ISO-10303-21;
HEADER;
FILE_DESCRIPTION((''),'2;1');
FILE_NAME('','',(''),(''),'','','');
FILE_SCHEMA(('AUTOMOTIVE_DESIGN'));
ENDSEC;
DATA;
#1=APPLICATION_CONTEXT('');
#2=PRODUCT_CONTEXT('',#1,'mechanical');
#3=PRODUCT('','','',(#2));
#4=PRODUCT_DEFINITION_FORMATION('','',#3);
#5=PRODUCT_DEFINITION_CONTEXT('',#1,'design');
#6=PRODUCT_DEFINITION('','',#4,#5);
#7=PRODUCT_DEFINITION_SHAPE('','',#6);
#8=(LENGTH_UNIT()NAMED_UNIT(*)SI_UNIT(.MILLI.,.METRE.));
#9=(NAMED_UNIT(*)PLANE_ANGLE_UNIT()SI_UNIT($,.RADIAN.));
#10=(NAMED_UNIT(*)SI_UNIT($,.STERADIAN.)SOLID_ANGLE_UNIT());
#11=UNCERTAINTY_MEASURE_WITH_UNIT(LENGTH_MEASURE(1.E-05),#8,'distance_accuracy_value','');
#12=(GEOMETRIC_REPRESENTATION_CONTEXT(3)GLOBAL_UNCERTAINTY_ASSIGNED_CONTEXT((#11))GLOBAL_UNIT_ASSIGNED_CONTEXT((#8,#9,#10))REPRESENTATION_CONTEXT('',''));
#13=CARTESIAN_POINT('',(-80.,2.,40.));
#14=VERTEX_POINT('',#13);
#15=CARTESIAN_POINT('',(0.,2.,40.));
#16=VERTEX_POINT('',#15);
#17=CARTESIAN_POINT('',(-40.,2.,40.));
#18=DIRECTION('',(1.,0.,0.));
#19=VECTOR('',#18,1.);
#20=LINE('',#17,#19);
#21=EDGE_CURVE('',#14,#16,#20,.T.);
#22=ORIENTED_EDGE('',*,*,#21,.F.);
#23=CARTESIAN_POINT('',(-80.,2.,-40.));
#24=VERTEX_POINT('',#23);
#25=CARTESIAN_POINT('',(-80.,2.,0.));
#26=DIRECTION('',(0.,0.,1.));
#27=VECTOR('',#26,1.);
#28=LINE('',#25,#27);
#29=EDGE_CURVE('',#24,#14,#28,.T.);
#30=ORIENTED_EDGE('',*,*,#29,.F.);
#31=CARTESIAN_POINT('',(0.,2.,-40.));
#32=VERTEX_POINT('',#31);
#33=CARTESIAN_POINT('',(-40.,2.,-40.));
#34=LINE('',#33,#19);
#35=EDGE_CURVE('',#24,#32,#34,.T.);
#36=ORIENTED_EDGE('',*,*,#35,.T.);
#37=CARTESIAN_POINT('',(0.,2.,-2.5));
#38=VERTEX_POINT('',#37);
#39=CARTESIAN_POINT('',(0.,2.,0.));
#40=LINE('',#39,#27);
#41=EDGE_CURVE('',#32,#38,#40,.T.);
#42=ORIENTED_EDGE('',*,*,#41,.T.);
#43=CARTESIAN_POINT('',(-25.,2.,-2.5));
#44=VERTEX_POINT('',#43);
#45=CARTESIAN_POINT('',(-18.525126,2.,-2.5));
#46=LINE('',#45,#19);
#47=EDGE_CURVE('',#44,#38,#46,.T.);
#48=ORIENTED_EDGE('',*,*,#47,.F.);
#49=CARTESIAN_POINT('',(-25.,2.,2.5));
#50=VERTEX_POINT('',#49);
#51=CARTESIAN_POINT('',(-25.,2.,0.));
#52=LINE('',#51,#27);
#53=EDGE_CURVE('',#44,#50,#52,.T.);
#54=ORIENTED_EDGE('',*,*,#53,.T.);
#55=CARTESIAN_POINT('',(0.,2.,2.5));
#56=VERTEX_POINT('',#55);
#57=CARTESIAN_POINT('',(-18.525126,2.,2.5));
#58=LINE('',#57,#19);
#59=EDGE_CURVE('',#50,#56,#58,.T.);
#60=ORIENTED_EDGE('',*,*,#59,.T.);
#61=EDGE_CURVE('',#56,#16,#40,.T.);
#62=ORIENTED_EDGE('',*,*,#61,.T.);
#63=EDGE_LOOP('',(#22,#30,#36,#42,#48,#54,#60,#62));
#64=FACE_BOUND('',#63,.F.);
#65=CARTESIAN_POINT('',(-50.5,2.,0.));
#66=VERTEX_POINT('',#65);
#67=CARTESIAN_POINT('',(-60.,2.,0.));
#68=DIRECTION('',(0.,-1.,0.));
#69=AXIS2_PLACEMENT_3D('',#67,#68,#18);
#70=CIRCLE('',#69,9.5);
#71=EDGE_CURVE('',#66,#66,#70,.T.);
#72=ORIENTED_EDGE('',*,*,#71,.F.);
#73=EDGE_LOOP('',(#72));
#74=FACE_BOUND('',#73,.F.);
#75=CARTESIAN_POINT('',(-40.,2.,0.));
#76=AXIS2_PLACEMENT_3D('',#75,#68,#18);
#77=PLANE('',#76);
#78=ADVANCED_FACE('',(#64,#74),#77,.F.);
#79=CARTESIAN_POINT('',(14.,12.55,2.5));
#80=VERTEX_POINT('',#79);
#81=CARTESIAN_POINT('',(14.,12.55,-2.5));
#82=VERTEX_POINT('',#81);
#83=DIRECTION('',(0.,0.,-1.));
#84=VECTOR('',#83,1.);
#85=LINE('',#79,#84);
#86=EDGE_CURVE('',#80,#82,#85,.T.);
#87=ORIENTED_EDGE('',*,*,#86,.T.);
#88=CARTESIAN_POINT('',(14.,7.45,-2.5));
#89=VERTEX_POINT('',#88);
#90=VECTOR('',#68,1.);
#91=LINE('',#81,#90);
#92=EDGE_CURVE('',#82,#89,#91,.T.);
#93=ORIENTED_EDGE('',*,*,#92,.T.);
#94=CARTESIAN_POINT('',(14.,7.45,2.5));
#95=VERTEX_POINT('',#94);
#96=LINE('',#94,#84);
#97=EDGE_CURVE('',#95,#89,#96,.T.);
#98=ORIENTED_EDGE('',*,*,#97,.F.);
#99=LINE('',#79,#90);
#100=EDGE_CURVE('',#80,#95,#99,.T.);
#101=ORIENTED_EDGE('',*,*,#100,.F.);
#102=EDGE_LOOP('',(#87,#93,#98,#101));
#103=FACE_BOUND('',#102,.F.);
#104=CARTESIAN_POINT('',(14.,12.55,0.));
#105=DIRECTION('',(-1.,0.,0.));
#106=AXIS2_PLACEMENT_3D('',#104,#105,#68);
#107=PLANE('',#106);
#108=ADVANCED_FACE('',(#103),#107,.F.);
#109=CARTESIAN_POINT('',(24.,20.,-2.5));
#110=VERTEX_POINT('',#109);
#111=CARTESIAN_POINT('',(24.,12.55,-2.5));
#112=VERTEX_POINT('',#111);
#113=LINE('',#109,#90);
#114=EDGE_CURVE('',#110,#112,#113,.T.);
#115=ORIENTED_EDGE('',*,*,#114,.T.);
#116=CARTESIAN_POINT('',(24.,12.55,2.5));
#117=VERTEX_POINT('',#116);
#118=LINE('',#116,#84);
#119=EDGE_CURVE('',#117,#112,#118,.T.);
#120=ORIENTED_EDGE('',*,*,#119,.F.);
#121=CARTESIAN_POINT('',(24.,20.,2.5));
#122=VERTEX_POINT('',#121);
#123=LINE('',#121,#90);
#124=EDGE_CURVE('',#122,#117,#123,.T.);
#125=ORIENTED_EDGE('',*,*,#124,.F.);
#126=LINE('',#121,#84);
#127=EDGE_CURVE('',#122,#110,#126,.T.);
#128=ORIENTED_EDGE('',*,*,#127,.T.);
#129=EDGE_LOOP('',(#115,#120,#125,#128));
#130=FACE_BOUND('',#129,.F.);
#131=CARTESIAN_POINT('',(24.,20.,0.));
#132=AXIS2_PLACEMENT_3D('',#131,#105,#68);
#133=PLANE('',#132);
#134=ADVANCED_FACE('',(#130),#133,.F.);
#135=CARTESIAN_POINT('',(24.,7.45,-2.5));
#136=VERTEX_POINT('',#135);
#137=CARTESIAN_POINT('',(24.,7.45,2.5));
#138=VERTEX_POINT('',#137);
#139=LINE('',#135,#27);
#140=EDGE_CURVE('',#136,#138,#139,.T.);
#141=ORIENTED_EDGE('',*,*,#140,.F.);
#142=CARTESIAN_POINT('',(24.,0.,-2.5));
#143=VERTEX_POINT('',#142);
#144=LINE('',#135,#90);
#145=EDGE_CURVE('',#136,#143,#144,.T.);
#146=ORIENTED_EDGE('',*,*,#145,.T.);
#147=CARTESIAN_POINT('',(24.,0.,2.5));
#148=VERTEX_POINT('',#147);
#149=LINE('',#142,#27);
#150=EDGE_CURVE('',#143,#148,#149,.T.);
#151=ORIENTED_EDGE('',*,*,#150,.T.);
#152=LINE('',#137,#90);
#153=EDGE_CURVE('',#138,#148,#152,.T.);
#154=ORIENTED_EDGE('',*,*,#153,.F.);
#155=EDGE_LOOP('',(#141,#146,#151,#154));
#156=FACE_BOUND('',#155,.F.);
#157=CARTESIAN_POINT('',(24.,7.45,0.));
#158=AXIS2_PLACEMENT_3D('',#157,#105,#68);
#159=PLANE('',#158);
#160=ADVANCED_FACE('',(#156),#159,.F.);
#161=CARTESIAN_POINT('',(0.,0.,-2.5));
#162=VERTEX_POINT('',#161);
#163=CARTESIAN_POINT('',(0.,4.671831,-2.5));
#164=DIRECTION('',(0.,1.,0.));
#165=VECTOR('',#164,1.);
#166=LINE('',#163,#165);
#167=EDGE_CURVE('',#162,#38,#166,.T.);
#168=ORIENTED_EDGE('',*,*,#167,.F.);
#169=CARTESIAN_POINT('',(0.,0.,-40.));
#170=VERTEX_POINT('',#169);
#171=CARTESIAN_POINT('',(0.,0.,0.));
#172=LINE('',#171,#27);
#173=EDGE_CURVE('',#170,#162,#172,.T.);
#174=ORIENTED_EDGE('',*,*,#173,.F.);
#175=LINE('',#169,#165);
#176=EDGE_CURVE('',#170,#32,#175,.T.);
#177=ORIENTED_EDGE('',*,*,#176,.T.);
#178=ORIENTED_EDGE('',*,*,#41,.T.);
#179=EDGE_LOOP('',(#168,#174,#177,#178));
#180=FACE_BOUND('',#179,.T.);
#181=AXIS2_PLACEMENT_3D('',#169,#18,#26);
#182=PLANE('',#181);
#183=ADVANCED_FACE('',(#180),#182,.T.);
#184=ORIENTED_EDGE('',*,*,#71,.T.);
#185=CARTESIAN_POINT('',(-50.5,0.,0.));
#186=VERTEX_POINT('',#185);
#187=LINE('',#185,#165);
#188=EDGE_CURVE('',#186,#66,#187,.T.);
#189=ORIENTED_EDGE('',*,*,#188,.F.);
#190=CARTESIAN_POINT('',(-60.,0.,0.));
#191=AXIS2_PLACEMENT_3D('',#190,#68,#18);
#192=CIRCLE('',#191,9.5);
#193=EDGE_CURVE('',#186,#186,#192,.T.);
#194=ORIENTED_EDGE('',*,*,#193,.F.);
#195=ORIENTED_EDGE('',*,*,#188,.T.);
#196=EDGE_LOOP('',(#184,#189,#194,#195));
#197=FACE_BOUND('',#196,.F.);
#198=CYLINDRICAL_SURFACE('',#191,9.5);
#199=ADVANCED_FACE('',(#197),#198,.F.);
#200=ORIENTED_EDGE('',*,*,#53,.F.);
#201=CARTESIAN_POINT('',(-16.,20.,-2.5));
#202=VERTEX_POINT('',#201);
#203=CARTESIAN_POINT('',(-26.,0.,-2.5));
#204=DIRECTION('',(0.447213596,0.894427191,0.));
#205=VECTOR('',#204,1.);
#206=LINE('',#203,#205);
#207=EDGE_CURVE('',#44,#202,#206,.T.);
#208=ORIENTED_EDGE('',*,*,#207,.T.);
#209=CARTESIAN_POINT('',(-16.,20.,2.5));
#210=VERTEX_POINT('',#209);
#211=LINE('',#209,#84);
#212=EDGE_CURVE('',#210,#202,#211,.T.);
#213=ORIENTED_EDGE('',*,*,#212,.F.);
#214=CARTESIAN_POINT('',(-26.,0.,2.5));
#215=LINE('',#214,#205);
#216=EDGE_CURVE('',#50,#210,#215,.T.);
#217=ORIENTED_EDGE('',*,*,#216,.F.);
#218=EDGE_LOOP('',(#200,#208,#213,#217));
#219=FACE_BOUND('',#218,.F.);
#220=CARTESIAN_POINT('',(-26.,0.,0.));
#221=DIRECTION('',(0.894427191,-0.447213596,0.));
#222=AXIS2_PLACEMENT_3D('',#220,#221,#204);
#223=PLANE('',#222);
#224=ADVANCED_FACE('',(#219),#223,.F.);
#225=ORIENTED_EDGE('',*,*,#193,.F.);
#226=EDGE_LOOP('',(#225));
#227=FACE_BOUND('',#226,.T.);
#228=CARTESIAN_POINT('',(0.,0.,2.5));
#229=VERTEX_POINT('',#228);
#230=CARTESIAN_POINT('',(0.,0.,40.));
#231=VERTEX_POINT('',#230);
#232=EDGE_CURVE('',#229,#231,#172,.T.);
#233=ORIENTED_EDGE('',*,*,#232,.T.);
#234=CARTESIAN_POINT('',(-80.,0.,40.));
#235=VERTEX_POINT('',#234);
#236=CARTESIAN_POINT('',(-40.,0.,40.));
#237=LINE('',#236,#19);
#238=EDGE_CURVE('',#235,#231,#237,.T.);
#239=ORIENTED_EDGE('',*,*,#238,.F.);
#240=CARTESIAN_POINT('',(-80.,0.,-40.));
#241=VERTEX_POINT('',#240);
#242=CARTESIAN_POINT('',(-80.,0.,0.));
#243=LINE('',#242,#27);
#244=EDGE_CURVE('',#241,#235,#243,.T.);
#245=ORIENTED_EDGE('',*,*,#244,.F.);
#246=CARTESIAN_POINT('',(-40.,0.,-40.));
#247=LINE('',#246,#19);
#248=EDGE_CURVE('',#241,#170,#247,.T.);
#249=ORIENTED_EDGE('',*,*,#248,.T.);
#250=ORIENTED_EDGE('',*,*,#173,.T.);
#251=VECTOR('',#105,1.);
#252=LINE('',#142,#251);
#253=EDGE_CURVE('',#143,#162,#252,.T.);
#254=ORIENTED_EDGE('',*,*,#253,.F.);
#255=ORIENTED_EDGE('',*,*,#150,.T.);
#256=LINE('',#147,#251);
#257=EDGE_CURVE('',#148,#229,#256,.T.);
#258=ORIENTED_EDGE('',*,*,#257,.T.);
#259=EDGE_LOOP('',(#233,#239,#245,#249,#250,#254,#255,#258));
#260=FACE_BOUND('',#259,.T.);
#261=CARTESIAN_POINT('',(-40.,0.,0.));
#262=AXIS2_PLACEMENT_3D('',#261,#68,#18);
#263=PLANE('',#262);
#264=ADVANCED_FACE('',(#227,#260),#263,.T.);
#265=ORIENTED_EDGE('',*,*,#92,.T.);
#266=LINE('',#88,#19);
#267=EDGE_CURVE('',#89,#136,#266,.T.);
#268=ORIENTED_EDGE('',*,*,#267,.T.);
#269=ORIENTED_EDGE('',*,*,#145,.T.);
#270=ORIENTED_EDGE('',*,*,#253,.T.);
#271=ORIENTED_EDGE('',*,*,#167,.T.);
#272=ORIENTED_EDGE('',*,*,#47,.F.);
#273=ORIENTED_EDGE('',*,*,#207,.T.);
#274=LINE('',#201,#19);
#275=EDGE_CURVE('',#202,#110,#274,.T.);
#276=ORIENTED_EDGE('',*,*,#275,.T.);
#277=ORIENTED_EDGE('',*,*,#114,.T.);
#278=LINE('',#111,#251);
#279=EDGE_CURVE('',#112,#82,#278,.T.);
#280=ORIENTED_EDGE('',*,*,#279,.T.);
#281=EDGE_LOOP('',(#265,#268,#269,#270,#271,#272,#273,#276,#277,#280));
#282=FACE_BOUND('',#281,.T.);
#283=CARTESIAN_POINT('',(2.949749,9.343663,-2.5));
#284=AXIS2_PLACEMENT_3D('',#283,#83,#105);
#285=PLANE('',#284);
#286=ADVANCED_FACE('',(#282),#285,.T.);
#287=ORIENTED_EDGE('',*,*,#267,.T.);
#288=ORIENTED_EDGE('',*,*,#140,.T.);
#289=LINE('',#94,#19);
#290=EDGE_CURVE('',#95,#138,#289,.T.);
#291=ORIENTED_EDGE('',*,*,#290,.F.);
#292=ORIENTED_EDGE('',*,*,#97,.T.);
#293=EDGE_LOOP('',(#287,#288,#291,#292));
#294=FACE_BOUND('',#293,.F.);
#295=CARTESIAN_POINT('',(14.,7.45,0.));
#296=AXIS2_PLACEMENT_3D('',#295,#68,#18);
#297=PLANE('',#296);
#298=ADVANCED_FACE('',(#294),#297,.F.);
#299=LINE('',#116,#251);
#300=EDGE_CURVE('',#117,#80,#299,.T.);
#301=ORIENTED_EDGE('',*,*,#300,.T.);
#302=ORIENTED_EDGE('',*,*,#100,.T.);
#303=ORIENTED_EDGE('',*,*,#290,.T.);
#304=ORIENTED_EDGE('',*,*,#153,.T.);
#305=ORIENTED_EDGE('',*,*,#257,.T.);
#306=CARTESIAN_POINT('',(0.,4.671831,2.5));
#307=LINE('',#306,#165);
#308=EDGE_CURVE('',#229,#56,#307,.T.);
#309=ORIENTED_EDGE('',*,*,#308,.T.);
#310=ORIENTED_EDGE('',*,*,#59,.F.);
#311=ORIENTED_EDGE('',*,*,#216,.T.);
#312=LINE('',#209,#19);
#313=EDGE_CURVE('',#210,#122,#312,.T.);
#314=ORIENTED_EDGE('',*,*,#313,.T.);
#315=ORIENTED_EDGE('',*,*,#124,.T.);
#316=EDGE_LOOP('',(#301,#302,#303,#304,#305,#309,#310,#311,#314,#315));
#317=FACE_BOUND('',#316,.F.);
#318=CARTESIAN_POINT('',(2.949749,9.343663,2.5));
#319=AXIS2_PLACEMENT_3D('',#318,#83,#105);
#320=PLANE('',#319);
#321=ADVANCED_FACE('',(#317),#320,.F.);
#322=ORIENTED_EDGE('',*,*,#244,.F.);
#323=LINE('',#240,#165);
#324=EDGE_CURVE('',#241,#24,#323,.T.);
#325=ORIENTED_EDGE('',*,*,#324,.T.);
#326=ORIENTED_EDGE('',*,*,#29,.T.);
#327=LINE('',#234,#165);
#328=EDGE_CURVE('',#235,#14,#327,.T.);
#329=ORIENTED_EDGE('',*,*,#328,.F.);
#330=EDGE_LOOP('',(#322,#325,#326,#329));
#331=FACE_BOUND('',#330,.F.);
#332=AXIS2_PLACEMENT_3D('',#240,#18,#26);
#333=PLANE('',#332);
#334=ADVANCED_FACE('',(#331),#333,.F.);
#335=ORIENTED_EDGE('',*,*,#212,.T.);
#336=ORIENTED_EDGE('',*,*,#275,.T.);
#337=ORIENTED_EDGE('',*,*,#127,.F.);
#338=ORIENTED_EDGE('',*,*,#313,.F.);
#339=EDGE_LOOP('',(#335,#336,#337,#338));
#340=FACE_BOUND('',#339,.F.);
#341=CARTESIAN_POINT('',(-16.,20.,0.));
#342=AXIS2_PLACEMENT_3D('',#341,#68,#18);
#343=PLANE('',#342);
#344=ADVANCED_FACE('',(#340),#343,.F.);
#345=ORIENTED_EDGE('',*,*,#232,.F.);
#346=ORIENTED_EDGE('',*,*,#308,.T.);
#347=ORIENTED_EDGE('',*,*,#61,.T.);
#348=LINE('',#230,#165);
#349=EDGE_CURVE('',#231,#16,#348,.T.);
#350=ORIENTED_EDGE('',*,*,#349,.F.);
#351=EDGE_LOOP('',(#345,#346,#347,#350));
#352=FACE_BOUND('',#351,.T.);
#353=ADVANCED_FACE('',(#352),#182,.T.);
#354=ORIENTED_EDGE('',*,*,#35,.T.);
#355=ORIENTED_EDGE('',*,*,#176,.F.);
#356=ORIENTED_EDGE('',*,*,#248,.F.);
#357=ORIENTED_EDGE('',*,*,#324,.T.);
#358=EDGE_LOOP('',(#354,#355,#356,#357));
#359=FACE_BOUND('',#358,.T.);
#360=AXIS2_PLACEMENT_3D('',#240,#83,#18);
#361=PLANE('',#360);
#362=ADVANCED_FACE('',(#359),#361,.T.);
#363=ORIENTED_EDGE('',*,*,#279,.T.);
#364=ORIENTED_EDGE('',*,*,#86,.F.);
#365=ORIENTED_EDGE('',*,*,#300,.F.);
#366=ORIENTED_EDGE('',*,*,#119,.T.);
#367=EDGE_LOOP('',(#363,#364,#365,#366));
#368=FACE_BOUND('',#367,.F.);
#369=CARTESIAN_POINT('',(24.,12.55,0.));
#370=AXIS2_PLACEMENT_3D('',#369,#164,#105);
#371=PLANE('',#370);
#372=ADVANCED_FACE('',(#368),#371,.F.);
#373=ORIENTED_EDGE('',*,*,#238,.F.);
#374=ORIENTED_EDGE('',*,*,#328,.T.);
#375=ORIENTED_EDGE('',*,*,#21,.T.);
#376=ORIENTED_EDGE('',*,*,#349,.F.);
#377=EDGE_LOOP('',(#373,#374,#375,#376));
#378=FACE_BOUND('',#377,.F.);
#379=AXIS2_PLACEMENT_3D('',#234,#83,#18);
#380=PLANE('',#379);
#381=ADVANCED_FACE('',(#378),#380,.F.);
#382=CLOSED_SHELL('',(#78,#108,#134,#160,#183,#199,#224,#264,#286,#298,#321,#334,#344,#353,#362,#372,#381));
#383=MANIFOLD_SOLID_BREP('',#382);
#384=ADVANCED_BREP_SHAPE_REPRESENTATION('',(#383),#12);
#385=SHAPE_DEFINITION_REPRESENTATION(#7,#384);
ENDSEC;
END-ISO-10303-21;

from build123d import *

# Parameters (mm, degrees)
SKETCH_W     = 80
SKETCH_H     = 80
SKETCH_R     = 9.5
PAD_DEPTH    = 2
PAD001_DEPTH = 2.5


with BuildPart() as part:
    # Sketch → Pad (new body)
    with BuildSketch(Plane.XZ):
        with Locations((-40, 0)):
            Rectangle(SKETCH_W, SKETCH_H)
        with Locations((-60, 0)):
            Circle(SKETCH_R, mode=Mode.SUBTRACT)
    extrude(amount=-PAD_DEPTH)

    # Sketch001 → Pad001 (join, symmetric)
    with BuildSketch(Plane.XY):
        Polygon((-26, 0), (-16, 20), (24, 20), (24, 12.55), (14, 12.55), (14, 7.45), (24, 7.45), (24, 0), align=None)
    extrude(amount=PAD001_DEPTH, both=True)


solid = part.part
